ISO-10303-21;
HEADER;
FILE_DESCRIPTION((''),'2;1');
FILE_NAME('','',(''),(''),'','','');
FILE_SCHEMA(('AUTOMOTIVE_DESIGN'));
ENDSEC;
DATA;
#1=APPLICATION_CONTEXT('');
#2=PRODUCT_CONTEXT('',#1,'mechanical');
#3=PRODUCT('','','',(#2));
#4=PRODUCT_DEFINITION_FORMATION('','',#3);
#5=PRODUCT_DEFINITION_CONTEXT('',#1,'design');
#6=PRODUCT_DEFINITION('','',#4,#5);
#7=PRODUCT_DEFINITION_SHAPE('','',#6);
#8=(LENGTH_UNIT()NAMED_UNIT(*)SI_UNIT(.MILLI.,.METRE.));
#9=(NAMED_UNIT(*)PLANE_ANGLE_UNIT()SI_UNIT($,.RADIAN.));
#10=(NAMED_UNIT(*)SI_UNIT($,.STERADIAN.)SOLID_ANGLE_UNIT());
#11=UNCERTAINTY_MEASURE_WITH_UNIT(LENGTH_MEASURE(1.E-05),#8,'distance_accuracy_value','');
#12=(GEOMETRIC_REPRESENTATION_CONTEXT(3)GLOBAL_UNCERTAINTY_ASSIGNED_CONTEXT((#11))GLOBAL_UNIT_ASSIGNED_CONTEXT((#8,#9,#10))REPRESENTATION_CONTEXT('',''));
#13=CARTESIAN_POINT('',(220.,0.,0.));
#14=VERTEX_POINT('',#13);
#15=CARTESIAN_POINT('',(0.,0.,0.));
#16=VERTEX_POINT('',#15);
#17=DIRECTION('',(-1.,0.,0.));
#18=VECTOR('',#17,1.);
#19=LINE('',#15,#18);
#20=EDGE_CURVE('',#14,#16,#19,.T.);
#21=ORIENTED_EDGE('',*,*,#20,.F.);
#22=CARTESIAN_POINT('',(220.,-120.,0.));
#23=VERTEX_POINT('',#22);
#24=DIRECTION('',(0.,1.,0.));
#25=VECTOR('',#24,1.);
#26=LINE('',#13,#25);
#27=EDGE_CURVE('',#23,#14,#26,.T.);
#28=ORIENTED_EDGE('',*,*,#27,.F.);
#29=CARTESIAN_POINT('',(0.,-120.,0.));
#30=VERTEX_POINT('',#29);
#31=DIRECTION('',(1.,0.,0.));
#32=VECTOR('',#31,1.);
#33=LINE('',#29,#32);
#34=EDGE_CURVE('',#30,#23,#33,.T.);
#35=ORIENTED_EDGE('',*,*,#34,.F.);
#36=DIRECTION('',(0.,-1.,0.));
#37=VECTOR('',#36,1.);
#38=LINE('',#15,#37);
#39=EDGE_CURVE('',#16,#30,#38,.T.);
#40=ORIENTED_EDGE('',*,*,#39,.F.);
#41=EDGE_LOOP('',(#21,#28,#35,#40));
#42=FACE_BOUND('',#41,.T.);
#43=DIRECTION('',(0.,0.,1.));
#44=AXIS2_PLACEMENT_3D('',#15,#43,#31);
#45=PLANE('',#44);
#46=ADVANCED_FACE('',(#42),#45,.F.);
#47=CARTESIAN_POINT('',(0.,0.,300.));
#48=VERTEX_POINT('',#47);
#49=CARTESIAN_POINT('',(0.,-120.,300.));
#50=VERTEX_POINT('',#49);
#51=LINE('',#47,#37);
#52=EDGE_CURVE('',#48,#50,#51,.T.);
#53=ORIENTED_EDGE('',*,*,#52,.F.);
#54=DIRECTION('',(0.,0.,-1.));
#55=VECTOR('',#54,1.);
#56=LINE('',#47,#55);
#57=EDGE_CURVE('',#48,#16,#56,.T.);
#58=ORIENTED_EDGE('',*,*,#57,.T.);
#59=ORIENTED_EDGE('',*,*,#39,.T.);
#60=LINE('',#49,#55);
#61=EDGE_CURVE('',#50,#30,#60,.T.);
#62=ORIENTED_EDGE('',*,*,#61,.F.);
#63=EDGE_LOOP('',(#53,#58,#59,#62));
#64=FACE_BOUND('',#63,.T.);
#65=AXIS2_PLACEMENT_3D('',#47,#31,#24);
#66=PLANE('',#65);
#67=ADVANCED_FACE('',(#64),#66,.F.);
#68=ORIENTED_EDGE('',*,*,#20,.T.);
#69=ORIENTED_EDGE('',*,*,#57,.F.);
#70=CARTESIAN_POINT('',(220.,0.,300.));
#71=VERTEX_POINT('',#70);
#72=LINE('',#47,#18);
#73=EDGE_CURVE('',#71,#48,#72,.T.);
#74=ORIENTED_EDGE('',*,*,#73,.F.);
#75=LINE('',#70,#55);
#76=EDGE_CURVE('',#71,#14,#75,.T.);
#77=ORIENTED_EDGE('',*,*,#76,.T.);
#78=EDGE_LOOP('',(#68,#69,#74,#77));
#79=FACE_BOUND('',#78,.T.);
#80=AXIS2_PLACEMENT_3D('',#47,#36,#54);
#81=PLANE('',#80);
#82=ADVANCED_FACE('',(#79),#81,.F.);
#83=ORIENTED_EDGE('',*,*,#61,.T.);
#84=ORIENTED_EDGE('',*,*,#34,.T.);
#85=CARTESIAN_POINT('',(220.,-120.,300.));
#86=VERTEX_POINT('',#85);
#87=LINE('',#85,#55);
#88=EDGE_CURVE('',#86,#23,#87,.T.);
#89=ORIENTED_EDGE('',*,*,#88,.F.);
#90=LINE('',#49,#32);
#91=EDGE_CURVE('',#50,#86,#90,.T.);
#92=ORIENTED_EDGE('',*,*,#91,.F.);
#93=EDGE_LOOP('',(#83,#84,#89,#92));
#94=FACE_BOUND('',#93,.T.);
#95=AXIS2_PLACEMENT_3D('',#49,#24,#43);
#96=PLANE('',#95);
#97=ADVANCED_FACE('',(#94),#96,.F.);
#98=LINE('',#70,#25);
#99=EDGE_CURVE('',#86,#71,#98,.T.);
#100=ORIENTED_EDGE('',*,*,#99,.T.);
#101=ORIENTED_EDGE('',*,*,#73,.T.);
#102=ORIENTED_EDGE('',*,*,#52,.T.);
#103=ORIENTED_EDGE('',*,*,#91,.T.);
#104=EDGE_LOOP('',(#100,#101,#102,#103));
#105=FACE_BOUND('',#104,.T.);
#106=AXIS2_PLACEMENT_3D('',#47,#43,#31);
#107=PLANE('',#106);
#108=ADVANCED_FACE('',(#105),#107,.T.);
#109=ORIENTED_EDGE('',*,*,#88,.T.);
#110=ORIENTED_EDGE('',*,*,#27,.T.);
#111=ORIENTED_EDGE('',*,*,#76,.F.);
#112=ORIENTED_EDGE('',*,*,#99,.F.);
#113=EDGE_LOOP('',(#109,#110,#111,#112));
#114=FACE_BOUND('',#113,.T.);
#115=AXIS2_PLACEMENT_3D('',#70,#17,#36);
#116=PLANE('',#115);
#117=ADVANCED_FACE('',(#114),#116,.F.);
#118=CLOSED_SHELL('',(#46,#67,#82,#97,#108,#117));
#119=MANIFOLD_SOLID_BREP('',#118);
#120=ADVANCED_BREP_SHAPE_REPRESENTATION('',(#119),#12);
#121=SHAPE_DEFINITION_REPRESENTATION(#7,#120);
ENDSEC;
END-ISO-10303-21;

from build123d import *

# Parameters (mm, degrees)
ESQUISSE1_W        = 220
ESQUISSE1_H        = 120
BOSS_EXTRU_1_DEPTH = 300


with BuildPart() as part:
    # Esquisse1 → Boss.-Extru.1 (new body)
    with BuildSketch(Plane.XY):
        with Locations((110, -60)):
            Rectangle(ESQUISSE1_W, ESQUISSE1_H)
    extrude(amount=BOSS_EXTRU_1_DEPTH)


solid = part.part
